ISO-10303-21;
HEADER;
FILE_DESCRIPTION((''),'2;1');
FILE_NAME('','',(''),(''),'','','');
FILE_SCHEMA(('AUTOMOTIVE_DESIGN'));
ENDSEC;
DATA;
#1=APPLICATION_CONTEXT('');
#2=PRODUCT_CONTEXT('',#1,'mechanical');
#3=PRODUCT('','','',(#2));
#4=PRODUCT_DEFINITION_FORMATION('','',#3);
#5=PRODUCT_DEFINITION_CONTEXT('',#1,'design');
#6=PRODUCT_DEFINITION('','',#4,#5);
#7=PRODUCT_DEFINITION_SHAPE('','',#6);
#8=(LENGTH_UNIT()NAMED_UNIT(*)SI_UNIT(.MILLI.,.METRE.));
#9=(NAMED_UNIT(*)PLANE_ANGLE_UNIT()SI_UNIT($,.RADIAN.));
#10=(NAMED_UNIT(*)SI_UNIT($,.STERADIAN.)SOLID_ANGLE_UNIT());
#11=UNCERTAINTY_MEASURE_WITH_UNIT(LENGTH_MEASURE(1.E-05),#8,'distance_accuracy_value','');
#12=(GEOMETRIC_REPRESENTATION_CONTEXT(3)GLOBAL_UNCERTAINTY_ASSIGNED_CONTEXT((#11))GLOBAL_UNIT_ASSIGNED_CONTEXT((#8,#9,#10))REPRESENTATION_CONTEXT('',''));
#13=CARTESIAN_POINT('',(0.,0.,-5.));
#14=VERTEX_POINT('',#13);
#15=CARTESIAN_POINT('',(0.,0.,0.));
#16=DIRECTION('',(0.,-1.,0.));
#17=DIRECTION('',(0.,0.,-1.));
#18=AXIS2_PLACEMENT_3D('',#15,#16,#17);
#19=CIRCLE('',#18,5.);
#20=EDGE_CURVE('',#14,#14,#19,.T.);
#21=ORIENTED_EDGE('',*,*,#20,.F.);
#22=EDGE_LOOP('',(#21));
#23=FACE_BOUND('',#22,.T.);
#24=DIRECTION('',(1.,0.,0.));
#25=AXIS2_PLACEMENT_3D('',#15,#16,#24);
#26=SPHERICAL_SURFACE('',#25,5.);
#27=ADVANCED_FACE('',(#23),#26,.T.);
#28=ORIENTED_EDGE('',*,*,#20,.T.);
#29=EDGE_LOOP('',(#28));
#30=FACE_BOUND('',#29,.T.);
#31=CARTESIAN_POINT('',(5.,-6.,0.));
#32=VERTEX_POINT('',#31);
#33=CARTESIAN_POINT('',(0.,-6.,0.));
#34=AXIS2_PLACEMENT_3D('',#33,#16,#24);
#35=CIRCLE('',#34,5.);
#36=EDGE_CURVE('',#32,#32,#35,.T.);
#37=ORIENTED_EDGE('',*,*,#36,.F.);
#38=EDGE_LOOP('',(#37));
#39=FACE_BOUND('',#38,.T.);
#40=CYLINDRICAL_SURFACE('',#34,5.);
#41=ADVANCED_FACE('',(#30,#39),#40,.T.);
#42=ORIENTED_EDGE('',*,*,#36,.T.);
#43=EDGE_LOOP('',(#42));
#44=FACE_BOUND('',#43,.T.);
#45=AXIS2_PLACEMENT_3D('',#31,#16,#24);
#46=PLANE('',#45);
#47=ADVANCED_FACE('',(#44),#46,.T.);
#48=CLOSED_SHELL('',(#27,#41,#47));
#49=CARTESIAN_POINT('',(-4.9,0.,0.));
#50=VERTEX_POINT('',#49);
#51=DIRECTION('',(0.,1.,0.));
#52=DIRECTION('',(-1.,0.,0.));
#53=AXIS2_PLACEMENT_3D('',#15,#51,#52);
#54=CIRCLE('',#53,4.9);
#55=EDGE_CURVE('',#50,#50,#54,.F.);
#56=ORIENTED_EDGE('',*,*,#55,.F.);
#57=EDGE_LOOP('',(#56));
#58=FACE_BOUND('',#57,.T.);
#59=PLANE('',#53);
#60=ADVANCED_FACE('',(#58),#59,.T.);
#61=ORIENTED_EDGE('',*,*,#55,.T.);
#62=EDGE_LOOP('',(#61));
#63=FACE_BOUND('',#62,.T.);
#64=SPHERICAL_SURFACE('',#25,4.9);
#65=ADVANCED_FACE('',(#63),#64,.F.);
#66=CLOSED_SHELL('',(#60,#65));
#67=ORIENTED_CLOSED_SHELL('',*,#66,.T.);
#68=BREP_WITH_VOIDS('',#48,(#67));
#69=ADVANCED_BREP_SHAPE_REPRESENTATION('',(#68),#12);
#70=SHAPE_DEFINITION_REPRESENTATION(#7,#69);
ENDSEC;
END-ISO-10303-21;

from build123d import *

# Parameters (mm, degrees)
SHELL1_T  = -0.1
SKETCH4_W = 5
SKETCH4_H = 6


with BuildPart() as part:
    # Sketch3 → Revolve1 (revolve)
    with BuildSketch(Plane.XY):
        with BuildLine():
            Line((0, 0), (5, 0))
            ThreePointArc((5, 0), (3.535533906, 3.535533906), (0, 5))
            Line((0, 5), (0, 0))
        make_face()
    revolve(axis=Axis((0, 0, 0), (0, 1, 0)))

    # Shell1
    shell1_openings = [part.faces().sort_by_distance(p)[0] for p in [
        (0, 0, 0),
    ]]
    offset(amount=SHELL1_T, openings=shell1_openings, kind=Kind.INTERSECTION)

    # Sketch4 → Revolve2 (revolve)
    with BuildSketch(Plane.XY):
        with Locations((2.5, -3)):
            Rectangle(SKETCH4_W, SKETCH4_H)
    revolve(axis=Axis((0, -6, 0), (0, 1, 0)))


solid = part.part
